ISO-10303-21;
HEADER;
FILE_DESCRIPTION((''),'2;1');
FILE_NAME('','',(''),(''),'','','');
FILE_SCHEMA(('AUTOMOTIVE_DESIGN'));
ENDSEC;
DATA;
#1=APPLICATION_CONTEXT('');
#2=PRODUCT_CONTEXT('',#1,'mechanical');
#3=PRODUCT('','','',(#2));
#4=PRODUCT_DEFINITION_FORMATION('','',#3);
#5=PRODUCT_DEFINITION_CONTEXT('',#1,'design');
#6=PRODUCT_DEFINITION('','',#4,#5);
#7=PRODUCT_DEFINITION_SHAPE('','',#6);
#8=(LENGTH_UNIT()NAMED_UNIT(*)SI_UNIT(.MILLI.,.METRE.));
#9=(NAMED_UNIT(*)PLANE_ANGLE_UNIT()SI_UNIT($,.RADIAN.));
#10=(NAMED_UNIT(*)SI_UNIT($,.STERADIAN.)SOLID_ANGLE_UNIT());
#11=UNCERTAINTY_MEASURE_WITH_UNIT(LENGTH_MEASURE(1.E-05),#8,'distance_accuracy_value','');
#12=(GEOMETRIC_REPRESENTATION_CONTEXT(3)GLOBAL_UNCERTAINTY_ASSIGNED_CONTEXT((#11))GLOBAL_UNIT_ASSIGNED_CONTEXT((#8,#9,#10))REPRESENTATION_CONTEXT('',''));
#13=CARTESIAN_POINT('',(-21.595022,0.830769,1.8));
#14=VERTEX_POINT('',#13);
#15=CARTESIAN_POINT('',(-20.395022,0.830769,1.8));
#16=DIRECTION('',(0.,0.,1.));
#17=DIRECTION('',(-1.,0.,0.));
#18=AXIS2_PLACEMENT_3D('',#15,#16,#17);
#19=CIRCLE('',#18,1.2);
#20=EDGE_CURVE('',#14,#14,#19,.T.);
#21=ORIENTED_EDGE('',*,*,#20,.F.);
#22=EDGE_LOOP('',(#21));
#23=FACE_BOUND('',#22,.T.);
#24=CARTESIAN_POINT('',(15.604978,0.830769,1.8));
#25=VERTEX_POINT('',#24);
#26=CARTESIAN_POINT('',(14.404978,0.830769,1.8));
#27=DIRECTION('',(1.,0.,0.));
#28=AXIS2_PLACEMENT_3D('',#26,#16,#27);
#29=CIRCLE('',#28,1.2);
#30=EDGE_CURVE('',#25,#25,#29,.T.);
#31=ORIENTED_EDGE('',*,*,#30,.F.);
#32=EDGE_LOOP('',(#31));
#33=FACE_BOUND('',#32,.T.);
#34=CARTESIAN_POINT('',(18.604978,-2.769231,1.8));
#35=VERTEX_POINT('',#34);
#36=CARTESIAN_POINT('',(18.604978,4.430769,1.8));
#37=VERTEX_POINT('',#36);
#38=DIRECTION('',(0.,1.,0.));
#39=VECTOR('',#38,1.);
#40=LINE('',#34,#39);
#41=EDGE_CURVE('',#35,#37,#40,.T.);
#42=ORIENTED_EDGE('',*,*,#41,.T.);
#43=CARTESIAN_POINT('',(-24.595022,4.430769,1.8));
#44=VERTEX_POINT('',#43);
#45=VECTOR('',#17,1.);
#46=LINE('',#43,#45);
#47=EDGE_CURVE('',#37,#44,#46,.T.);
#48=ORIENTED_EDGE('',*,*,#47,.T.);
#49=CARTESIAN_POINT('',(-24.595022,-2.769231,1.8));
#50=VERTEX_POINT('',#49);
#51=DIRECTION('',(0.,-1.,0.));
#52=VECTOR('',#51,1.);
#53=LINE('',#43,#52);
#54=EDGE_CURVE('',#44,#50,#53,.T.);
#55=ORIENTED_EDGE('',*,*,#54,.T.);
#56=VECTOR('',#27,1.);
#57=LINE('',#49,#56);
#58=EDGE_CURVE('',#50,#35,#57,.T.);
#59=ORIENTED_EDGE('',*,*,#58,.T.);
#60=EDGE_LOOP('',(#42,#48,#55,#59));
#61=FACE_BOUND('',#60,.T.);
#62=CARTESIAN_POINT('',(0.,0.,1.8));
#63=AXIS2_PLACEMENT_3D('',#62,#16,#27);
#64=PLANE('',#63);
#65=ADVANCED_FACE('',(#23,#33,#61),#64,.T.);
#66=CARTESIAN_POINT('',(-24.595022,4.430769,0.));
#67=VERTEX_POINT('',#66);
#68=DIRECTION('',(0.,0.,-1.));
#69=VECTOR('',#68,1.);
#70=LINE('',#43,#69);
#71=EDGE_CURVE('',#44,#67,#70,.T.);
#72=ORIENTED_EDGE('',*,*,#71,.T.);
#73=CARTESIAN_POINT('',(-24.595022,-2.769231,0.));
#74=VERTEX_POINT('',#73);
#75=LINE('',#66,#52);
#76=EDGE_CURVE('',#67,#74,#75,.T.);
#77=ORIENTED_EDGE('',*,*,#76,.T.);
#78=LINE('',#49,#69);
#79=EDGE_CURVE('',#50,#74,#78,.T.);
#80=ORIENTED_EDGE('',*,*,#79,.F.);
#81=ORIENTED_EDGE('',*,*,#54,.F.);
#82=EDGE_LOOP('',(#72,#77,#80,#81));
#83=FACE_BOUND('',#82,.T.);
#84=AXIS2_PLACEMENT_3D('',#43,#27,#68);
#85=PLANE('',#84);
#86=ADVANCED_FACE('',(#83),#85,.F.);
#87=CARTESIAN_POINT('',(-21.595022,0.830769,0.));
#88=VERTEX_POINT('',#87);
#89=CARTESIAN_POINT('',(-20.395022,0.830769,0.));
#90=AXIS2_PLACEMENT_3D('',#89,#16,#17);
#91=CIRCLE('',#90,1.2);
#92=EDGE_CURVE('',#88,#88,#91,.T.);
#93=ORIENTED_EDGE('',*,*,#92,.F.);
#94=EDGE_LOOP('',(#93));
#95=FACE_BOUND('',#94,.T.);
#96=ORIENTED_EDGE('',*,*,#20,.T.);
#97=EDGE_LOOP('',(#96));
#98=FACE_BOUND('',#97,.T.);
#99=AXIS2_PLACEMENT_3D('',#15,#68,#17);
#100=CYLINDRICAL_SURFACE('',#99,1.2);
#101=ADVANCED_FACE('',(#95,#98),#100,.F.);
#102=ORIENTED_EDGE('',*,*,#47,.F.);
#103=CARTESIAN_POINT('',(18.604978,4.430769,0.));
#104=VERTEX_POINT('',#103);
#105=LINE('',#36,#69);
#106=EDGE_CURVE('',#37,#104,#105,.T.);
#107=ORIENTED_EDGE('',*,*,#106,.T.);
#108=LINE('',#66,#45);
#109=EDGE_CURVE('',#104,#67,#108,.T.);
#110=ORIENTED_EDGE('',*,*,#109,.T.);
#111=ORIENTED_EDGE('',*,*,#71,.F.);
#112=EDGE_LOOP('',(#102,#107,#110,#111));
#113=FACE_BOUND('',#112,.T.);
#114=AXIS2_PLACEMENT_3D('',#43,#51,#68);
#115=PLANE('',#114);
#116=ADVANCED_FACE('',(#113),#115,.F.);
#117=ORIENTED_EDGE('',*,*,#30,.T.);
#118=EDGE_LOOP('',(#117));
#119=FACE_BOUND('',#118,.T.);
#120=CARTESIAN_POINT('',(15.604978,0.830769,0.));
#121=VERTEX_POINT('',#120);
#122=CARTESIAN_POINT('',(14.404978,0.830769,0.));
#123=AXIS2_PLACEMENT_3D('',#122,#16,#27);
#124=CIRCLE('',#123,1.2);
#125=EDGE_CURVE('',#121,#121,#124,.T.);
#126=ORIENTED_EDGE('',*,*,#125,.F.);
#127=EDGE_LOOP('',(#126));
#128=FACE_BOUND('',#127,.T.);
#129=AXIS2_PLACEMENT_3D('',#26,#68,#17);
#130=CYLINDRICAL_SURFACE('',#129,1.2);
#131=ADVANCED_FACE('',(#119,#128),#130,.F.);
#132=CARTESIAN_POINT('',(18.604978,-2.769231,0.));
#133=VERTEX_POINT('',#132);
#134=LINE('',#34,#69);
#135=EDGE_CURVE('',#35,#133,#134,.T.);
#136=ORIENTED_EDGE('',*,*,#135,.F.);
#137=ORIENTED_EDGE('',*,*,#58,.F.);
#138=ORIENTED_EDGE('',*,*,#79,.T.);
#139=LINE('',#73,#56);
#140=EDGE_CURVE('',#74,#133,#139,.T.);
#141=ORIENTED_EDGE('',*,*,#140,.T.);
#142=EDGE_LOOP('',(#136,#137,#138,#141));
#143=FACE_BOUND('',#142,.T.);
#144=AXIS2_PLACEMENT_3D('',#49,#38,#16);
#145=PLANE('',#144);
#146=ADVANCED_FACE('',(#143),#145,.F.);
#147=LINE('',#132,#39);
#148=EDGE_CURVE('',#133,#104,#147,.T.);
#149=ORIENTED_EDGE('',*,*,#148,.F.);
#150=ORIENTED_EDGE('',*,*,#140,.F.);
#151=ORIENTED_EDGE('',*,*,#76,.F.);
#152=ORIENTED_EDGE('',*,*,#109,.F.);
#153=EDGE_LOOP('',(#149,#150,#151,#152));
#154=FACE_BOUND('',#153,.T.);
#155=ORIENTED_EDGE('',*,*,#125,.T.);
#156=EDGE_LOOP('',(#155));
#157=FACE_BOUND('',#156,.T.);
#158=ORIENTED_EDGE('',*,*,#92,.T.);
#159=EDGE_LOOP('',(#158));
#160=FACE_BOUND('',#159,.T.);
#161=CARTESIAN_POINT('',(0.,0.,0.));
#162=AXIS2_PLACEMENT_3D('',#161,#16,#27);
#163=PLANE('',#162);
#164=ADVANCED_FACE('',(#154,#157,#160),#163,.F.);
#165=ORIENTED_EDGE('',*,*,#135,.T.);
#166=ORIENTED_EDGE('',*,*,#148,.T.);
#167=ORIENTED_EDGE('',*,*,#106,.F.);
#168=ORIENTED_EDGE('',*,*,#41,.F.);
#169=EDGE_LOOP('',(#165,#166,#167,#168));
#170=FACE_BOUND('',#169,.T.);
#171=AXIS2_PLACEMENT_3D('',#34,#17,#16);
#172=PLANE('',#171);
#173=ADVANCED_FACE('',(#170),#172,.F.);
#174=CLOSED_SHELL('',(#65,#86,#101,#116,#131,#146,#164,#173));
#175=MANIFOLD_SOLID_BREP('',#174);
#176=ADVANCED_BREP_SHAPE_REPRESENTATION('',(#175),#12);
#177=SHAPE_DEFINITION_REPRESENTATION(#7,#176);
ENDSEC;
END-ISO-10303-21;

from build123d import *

# Parameters (mm, degrees)
ESQUISSE1_W             = 43.2
ESQUISSE1_H             = 7.2
BOSS_EXTRU_1_DEPTH      = 1.8
ESQUISSE2_R             = 1.2
ENL_V_MAT_EXTRU_1_DEPTH = 1.8


with BuildPart() as part:
    # Esquisse1 → Boss.-Extru.1 (new body)
    with BuildSketch(Plane.XY):
        with Locations((-2.995022473, 0.830769231)):
            Rectangle(ESQUISSE1_W, ESQUISSE1_H)
    extrude(amount=BOSS_EXTRU_1_DEPTH)

    # Esquisse2 → Enlèv. mat.-Extru.1 (cut)
    with BuildSketch(Plane.XY):
        with Locations((14.404977527, 0.830769231)):
            Circle(ESQUISSE2_R)
        with Locations(Location((-20.395022473, 0.830769231, 0), (0, 0, 180))):
            Circle(ESQUISSE2_R)
    extrude(amount=ENL_V_MAT_EXTRU_1_DEPTH, mode=Mode.SUBTRACT)


solid = part.part
